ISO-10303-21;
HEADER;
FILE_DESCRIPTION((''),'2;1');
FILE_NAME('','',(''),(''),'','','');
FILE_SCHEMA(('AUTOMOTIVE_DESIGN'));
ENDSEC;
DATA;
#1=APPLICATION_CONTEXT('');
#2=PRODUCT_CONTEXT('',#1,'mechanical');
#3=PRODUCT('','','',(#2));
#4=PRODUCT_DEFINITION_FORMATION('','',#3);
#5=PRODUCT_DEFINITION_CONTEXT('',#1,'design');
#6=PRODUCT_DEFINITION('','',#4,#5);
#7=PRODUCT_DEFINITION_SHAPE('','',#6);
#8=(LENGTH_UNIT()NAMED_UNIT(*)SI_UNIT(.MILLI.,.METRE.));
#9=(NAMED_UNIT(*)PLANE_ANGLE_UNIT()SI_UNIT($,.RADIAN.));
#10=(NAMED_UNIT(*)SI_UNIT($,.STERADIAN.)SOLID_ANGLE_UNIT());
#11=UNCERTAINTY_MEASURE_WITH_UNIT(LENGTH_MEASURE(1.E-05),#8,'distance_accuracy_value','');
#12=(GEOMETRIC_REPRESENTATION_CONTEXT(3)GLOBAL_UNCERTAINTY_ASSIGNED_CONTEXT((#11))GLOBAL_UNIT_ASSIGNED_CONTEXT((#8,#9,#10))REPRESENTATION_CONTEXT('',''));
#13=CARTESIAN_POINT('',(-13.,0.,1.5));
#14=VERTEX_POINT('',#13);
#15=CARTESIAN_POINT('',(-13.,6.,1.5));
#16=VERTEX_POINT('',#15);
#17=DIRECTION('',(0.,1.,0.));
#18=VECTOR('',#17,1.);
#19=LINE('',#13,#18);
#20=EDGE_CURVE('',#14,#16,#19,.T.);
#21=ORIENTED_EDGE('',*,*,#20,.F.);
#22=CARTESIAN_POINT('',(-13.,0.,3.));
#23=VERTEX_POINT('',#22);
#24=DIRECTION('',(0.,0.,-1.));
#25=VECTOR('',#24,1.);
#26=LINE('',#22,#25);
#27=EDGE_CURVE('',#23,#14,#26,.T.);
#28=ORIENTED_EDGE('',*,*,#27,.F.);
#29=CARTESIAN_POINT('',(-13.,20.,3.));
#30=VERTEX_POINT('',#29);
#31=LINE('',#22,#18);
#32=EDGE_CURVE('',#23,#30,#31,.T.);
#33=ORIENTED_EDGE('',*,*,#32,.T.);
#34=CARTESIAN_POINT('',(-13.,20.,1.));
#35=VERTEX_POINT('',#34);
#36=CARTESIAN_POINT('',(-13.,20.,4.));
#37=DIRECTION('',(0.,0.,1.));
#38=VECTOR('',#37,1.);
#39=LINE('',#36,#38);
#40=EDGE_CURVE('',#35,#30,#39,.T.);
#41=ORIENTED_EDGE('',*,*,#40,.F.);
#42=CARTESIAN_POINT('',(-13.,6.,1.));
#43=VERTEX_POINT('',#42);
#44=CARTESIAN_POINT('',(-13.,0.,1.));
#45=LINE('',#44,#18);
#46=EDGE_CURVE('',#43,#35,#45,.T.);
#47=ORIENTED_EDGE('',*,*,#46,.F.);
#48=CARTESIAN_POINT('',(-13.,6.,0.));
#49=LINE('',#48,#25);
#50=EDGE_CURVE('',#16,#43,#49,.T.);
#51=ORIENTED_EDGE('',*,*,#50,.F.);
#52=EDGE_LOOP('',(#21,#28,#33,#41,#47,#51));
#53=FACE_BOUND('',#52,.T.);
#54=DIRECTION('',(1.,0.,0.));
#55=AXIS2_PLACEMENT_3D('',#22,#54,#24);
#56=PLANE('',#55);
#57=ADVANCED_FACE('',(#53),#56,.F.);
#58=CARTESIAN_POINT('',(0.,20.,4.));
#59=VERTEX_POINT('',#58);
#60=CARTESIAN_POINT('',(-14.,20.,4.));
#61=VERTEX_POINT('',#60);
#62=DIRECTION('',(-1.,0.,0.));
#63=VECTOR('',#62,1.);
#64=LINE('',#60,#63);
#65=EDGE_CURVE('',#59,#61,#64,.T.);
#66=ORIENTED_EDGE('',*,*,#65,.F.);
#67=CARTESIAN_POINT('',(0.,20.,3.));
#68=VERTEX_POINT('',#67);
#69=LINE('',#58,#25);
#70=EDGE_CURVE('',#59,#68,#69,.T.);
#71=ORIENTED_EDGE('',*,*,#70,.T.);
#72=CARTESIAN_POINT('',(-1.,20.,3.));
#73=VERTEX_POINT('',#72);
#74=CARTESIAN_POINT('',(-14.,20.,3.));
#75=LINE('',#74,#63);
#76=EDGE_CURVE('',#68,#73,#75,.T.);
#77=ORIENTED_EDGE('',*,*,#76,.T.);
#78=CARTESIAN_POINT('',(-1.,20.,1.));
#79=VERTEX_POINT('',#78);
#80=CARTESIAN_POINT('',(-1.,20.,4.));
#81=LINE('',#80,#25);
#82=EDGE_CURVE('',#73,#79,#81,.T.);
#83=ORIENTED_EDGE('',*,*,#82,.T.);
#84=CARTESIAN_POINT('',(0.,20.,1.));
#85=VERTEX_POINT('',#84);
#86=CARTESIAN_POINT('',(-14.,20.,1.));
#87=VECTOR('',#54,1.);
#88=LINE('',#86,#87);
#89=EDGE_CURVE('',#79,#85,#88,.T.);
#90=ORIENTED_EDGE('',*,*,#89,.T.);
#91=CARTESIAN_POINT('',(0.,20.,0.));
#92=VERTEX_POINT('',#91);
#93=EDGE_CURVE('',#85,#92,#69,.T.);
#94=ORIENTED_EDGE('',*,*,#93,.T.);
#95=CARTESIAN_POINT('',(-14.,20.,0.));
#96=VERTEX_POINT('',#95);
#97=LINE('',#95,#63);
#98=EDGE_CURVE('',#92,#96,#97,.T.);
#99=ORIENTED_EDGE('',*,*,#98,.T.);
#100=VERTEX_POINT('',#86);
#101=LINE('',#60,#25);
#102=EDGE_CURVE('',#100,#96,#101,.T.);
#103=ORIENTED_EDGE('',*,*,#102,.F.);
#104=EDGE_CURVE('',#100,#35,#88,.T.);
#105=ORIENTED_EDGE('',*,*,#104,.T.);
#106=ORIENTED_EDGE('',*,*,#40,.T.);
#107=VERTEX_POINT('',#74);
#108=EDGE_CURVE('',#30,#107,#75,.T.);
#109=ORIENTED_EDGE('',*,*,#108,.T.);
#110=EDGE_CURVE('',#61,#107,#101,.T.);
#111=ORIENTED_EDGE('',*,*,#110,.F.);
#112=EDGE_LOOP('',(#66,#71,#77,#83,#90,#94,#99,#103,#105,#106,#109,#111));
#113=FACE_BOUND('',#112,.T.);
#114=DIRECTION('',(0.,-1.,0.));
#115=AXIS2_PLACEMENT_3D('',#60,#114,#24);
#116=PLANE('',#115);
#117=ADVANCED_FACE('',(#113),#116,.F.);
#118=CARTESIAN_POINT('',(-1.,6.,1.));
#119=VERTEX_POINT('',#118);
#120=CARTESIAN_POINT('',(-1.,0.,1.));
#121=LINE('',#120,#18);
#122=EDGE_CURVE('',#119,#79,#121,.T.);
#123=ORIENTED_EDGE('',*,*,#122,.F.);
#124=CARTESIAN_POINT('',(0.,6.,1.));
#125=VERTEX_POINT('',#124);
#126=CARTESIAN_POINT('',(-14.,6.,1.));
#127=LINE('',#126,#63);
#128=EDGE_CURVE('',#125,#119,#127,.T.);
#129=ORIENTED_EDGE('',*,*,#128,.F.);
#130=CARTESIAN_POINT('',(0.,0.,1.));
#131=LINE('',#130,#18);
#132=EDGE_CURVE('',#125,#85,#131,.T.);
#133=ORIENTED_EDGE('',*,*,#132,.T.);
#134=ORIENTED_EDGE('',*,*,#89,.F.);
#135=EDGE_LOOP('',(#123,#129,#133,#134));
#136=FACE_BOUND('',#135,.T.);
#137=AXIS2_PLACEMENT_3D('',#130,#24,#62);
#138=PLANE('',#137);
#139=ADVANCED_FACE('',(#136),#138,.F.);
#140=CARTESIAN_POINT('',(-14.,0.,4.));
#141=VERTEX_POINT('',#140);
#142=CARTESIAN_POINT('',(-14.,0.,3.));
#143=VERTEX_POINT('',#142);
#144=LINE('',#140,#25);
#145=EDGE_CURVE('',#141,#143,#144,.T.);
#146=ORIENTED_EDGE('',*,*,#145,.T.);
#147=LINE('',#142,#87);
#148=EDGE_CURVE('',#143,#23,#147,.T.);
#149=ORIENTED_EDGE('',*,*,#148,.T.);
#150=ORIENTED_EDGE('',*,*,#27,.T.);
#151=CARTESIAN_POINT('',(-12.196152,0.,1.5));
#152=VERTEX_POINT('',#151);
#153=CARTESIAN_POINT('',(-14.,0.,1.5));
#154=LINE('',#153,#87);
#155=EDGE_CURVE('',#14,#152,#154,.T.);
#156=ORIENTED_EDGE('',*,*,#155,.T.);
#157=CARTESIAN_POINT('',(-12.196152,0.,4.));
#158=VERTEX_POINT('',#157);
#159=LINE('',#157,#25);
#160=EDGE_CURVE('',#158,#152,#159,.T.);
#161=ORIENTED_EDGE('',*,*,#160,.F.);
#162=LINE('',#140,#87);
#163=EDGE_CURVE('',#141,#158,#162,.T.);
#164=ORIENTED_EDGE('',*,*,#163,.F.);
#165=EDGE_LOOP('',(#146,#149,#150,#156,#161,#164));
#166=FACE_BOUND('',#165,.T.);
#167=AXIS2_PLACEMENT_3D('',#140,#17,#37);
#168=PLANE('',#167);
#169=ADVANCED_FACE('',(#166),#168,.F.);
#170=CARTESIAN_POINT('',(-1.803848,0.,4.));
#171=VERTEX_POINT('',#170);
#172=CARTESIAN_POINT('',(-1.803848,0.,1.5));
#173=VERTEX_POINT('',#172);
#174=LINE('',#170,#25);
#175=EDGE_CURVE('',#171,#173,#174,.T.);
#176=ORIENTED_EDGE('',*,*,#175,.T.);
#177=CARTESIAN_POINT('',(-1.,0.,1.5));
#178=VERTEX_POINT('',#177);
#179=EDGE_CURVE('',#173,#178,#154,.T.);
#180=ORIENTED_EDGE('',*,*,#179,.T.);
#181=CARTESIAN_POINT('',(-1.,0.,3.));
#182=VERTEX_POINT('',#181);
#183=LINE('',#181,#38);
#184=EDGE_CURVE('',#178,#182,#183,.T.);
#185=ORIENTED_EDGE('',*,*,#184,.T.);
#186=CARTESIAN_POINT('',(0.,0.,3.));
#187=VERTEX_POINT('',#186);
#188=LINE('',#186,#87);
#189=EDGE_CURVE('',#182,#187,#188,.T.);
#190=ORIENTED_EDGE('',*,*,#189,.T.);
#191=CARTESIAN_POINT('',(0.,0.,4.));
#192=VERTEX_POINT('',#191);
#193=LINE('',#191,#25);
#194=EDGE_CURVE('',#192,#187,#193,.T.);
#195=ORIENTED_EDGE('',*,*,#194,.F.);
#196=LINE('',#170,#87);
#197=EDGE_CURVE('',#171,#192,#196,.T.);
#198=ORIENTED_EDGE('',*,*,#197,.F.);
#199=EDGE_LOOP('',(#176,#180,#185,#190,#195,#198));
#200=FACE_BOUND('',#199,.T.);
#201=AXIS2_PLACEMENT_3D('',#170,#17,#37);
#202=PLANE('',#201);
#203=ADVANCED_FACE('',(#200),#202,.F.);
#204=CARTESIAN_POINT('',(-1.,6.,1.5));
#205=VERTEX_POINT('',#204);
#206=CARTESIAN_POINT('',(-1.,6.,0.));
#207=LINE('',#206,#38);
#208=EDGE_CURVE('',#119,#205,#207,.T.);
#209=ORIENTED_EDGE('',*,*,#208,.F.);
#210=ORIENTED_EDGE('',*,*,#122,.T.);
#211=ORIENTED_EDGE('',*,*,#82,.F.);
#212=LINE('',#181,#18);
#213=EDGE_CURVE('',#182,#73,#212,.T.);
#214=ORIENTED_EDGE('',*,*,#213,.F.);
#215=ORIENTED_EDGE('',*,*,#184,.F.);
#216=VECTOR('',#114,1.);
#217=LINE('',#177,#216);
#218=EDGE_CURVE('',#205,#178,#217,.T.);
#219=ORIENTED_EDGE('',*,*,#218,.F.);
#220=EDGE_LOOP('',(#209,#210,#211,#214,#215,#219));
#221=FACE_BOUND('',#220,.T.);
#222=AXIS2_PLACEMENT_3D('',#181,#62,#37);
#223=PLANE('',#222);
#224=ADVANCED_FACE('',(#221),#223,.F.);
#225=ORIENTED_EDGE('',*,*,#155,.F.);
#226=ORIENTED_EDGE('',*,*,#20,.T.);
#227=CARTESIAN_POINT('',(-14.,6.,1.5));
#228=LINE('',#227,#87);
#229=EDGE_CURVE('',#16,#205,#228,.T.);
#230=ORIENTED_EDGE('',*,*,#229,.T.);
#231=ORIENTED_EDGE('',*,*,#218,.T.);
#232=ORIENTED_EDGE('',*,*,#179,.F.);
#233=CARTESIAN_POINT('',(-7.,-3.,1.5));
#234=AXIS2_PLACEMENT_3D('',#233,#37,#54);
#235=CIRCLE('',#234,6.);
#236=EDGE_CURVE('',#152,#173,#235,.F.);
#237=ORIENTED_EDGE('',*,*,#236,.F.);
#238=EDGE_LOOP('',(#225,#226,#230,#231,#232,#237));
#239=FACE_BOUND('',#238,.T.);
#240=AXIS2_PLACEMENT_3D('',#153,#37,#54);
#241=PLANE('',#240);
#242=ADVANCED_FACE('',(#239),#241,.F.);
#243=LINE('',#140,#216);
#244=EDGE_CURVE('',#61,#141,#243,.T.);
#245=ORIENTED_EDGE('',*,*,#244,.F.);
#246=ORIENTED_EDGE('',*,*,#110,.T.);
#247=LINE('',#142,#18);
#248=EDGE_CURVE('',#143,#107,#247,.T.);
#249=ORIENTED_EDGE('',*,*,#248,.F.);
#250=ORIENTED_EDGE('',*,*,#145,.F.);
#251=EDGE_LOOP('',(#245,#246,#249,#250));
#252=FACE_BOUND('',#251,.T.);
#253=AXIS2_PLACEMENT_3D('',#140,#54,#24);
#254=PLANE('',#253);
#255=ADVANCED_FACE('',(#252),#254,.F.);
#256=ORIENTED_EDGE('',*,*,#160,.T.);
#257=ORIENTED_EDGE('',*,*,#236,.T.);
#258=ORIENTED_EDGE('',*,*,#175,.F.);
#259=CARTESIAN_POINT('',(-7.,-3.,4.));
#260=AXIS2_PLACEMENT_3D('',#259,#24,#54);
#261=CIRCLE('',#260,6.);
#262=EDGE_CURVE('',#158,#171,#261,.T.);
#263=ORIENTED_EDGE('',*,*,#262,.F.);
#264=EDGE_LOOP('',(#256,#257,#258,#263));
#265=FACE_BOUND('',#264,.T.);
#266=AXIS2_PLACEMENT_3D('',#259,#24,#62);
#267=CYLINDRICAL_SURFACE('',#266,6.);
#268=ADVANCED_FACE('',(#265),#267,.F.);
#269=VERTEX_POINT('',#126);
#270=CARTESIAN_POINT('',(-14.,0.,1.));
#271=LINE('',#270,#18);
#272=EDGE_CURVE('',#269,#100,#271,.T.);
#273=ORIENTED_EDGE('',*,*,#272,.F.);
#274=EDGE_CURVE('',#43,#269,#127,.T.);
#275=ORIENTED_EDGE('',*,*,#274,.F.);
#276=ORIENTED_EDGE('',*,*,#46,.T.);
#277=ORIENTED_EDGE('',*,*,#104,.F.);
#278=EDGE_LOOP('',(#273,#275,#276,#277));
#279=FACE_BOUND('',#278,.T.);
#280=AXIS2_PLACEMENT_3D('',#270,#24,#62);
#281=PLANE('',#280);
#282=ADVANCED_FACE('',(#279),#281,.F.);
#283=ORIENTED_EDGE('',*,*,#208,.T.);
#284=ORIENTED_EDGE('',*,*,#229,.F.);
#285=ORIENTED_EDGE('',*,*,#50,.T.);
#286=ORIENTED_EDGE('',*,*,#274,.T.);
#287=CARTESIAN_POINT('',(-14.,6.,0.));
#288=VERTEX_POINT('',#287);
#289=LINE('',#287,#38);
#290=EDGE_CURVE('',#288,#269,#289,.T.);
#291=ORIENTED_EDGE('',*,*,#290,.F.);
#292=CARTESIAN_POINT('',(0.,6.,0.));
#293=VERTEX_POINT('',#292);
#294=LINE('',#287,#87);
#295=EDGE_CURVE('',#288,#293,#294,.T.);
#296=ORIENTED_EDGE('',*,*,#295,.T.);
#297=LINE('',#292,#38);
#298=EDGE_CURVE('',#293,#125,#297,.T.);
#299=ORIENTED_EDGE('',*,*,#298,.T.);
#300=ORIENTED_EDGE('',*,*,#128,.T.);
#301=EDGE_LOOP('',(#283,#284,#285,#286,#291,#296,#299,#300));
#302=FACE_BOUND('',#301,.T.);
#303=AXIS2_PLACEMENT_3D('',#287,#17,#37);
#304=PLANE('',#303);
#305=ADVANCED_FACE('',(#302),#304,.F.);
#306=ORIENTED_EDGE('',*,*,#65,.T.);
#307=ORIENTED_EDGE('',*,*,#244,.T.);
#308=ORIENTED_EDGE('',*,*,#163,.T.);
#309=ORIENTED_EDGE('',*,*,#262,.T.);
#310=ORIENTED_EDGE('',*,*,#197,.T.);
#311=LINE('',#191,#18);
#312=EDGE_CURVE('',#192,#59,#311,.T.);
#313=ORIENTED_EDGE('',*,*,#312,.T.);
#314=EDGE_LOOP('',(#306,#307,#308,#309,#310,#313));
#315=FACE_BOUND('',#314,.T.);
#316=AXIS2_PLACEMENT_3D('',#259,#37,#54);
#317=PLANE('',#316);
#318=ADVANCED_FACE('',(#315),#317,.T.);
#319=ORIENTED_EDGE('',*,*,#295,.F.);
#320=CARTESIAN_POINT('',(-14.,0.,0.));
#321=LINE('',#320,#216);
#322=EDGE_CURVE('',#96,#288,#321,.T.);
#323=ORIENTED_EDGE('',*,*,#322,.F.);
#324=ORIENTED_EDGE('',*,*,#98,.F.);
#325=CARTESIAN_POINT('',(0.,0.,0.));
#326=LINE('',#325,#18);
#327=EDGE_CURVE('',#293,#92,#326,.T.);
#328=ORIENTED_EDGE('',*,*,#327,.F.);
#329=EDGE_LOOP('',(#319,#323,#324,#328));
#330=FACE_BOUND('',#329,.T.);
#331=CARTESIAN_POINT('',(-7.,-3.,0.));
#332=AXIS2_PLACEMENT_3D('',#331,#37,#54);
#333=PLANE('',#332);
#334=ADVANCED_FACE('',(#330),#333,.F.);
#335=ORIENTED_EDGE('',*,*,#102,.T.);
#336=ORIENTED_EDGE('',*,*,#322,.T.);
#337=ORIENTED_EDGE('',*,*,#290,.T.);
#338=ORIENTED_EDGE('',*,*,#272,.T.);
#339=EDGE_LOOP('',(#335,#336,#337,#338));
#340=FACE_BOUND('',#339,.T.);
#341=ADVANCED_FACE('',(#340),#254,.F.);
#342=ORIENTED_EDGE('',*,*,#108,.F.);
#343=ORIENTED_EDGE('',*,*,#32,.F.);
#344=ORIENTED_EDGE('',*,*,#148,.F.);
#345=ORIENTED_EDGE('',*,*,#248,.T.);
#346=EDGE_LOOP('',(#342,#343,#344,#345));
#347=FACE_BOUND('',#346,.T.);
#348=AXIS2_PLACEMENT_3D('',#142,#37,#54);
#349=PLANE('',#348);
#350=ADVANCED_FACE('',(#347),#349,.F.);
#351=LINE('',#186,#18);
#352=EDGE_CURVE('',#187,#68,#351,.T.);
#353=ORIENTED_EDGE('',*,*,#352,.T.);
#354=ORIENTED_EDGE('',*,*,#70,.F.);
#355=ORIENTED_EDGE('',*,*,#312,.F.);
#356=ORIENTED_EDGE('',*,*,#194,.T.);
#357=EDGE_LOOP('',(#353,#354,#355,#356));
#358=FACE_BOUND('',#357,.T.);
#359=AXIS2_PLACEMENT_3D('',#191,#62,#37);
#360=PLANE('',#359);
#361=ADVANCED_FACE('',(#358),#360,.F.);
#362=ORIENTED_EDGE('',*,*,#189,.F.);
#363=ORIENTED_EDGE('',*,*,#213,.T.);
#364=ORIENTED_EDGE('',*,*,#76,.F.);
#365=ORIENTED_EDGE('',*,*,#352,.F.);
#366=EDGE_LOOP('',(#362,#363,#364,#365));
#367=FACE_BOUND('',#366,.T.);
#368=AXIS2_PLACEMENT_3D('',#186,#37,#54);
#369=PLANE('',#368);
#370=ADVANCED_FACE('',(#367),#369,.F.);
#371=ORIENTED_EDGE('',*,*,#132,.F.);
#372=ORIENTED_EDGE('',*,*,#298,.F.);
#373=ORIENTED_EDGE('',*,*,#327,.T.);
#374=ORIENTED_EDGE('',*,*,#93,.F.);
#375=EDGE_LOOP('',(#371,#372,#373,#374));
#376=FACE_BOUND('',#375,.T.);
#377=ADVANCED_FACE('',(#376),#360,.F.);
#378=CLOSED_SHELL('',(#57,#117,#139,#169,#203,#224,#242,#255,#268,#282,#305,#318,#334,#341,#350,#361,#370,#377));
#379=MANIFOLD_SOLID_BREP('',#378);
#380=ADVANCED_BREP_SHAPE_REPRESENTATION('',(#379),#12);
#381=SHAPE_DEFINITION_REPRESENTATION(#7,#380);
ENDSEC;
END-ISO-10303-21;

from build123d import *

# Parameters (mm, degrees)
EXTRUDE_1_DEPTH          = 4
SKETCH_2_W               = 1.5
SKETCH_2_H               = 6
CUT_EXTRUDE_1_DEPTH      = 15
SKETCH_3_W               = 1
SKETCH_3_H               = 2
CUT_EXTRUDE_2_DEPTH      = 1
CUT_EXTRUDE_2_DEPTH_BACK = 21


with BuildPart() as part:
    # 草图1 → 凸台-拉伸1 (new body)
    with BuildSketch(Plane.XY):
        with BuildLine():
            Line((-14, 20), (0, 20))
            Line((0, 20), (0, 0))
            Line((0, 0), (-1.803847577, 0))
            ThreePointArc((-1.803847577, 0), (-7, 3), (-12.196152423, 0))
            Line((-12.196152423, 0), (-14, 0))
            Line((-14, 0), (-14, 20))
        make_face()
    extrude(amount=EXTRUDE_1_DEPTH)

    # 草图2 → 切除-拉伸1 (cut, through all)
    with BuildSketch(Plane(origin=(0, 0, 0), x_dir=(0, 0, -1), z_dir=(1, 0, 0))):
        with Locations((-0.75, 3)):
            Rectangle(SKETCH_2_W, SKETCH_2_H)
    extrude(amount=-CUT_EXTRUDE_1_DEPTH, mode=Mode.SUBTRACT)

    # 草图3 → 切除-拉伸2 (cut, two sides)
    with BuildSketch(Plane(origin=(0, 20, 0), x_dir=(1, 0, 0), z_dir=(0, 1, 0))) as cut_extrude_2_sk:
        with Locations((-0.5, -2)):
            Rectangle(SKETCH_3_W, SKETCH_3_H)
        with Locations((-13.5, -2)):
            Rectangle(SKETCH_3_W, SKETCH_3_H)
    extrude(amount=CUT_EXTRUDE_2_DEPTH, mode=Mode.SUBTRACT)
    extrude(cut_extrude_2_sk.sketch, amount=-CUT_EXTRUDE_2_DEPTH_BACK, mode=Mode.SUBTRACT)


solid = part.part
